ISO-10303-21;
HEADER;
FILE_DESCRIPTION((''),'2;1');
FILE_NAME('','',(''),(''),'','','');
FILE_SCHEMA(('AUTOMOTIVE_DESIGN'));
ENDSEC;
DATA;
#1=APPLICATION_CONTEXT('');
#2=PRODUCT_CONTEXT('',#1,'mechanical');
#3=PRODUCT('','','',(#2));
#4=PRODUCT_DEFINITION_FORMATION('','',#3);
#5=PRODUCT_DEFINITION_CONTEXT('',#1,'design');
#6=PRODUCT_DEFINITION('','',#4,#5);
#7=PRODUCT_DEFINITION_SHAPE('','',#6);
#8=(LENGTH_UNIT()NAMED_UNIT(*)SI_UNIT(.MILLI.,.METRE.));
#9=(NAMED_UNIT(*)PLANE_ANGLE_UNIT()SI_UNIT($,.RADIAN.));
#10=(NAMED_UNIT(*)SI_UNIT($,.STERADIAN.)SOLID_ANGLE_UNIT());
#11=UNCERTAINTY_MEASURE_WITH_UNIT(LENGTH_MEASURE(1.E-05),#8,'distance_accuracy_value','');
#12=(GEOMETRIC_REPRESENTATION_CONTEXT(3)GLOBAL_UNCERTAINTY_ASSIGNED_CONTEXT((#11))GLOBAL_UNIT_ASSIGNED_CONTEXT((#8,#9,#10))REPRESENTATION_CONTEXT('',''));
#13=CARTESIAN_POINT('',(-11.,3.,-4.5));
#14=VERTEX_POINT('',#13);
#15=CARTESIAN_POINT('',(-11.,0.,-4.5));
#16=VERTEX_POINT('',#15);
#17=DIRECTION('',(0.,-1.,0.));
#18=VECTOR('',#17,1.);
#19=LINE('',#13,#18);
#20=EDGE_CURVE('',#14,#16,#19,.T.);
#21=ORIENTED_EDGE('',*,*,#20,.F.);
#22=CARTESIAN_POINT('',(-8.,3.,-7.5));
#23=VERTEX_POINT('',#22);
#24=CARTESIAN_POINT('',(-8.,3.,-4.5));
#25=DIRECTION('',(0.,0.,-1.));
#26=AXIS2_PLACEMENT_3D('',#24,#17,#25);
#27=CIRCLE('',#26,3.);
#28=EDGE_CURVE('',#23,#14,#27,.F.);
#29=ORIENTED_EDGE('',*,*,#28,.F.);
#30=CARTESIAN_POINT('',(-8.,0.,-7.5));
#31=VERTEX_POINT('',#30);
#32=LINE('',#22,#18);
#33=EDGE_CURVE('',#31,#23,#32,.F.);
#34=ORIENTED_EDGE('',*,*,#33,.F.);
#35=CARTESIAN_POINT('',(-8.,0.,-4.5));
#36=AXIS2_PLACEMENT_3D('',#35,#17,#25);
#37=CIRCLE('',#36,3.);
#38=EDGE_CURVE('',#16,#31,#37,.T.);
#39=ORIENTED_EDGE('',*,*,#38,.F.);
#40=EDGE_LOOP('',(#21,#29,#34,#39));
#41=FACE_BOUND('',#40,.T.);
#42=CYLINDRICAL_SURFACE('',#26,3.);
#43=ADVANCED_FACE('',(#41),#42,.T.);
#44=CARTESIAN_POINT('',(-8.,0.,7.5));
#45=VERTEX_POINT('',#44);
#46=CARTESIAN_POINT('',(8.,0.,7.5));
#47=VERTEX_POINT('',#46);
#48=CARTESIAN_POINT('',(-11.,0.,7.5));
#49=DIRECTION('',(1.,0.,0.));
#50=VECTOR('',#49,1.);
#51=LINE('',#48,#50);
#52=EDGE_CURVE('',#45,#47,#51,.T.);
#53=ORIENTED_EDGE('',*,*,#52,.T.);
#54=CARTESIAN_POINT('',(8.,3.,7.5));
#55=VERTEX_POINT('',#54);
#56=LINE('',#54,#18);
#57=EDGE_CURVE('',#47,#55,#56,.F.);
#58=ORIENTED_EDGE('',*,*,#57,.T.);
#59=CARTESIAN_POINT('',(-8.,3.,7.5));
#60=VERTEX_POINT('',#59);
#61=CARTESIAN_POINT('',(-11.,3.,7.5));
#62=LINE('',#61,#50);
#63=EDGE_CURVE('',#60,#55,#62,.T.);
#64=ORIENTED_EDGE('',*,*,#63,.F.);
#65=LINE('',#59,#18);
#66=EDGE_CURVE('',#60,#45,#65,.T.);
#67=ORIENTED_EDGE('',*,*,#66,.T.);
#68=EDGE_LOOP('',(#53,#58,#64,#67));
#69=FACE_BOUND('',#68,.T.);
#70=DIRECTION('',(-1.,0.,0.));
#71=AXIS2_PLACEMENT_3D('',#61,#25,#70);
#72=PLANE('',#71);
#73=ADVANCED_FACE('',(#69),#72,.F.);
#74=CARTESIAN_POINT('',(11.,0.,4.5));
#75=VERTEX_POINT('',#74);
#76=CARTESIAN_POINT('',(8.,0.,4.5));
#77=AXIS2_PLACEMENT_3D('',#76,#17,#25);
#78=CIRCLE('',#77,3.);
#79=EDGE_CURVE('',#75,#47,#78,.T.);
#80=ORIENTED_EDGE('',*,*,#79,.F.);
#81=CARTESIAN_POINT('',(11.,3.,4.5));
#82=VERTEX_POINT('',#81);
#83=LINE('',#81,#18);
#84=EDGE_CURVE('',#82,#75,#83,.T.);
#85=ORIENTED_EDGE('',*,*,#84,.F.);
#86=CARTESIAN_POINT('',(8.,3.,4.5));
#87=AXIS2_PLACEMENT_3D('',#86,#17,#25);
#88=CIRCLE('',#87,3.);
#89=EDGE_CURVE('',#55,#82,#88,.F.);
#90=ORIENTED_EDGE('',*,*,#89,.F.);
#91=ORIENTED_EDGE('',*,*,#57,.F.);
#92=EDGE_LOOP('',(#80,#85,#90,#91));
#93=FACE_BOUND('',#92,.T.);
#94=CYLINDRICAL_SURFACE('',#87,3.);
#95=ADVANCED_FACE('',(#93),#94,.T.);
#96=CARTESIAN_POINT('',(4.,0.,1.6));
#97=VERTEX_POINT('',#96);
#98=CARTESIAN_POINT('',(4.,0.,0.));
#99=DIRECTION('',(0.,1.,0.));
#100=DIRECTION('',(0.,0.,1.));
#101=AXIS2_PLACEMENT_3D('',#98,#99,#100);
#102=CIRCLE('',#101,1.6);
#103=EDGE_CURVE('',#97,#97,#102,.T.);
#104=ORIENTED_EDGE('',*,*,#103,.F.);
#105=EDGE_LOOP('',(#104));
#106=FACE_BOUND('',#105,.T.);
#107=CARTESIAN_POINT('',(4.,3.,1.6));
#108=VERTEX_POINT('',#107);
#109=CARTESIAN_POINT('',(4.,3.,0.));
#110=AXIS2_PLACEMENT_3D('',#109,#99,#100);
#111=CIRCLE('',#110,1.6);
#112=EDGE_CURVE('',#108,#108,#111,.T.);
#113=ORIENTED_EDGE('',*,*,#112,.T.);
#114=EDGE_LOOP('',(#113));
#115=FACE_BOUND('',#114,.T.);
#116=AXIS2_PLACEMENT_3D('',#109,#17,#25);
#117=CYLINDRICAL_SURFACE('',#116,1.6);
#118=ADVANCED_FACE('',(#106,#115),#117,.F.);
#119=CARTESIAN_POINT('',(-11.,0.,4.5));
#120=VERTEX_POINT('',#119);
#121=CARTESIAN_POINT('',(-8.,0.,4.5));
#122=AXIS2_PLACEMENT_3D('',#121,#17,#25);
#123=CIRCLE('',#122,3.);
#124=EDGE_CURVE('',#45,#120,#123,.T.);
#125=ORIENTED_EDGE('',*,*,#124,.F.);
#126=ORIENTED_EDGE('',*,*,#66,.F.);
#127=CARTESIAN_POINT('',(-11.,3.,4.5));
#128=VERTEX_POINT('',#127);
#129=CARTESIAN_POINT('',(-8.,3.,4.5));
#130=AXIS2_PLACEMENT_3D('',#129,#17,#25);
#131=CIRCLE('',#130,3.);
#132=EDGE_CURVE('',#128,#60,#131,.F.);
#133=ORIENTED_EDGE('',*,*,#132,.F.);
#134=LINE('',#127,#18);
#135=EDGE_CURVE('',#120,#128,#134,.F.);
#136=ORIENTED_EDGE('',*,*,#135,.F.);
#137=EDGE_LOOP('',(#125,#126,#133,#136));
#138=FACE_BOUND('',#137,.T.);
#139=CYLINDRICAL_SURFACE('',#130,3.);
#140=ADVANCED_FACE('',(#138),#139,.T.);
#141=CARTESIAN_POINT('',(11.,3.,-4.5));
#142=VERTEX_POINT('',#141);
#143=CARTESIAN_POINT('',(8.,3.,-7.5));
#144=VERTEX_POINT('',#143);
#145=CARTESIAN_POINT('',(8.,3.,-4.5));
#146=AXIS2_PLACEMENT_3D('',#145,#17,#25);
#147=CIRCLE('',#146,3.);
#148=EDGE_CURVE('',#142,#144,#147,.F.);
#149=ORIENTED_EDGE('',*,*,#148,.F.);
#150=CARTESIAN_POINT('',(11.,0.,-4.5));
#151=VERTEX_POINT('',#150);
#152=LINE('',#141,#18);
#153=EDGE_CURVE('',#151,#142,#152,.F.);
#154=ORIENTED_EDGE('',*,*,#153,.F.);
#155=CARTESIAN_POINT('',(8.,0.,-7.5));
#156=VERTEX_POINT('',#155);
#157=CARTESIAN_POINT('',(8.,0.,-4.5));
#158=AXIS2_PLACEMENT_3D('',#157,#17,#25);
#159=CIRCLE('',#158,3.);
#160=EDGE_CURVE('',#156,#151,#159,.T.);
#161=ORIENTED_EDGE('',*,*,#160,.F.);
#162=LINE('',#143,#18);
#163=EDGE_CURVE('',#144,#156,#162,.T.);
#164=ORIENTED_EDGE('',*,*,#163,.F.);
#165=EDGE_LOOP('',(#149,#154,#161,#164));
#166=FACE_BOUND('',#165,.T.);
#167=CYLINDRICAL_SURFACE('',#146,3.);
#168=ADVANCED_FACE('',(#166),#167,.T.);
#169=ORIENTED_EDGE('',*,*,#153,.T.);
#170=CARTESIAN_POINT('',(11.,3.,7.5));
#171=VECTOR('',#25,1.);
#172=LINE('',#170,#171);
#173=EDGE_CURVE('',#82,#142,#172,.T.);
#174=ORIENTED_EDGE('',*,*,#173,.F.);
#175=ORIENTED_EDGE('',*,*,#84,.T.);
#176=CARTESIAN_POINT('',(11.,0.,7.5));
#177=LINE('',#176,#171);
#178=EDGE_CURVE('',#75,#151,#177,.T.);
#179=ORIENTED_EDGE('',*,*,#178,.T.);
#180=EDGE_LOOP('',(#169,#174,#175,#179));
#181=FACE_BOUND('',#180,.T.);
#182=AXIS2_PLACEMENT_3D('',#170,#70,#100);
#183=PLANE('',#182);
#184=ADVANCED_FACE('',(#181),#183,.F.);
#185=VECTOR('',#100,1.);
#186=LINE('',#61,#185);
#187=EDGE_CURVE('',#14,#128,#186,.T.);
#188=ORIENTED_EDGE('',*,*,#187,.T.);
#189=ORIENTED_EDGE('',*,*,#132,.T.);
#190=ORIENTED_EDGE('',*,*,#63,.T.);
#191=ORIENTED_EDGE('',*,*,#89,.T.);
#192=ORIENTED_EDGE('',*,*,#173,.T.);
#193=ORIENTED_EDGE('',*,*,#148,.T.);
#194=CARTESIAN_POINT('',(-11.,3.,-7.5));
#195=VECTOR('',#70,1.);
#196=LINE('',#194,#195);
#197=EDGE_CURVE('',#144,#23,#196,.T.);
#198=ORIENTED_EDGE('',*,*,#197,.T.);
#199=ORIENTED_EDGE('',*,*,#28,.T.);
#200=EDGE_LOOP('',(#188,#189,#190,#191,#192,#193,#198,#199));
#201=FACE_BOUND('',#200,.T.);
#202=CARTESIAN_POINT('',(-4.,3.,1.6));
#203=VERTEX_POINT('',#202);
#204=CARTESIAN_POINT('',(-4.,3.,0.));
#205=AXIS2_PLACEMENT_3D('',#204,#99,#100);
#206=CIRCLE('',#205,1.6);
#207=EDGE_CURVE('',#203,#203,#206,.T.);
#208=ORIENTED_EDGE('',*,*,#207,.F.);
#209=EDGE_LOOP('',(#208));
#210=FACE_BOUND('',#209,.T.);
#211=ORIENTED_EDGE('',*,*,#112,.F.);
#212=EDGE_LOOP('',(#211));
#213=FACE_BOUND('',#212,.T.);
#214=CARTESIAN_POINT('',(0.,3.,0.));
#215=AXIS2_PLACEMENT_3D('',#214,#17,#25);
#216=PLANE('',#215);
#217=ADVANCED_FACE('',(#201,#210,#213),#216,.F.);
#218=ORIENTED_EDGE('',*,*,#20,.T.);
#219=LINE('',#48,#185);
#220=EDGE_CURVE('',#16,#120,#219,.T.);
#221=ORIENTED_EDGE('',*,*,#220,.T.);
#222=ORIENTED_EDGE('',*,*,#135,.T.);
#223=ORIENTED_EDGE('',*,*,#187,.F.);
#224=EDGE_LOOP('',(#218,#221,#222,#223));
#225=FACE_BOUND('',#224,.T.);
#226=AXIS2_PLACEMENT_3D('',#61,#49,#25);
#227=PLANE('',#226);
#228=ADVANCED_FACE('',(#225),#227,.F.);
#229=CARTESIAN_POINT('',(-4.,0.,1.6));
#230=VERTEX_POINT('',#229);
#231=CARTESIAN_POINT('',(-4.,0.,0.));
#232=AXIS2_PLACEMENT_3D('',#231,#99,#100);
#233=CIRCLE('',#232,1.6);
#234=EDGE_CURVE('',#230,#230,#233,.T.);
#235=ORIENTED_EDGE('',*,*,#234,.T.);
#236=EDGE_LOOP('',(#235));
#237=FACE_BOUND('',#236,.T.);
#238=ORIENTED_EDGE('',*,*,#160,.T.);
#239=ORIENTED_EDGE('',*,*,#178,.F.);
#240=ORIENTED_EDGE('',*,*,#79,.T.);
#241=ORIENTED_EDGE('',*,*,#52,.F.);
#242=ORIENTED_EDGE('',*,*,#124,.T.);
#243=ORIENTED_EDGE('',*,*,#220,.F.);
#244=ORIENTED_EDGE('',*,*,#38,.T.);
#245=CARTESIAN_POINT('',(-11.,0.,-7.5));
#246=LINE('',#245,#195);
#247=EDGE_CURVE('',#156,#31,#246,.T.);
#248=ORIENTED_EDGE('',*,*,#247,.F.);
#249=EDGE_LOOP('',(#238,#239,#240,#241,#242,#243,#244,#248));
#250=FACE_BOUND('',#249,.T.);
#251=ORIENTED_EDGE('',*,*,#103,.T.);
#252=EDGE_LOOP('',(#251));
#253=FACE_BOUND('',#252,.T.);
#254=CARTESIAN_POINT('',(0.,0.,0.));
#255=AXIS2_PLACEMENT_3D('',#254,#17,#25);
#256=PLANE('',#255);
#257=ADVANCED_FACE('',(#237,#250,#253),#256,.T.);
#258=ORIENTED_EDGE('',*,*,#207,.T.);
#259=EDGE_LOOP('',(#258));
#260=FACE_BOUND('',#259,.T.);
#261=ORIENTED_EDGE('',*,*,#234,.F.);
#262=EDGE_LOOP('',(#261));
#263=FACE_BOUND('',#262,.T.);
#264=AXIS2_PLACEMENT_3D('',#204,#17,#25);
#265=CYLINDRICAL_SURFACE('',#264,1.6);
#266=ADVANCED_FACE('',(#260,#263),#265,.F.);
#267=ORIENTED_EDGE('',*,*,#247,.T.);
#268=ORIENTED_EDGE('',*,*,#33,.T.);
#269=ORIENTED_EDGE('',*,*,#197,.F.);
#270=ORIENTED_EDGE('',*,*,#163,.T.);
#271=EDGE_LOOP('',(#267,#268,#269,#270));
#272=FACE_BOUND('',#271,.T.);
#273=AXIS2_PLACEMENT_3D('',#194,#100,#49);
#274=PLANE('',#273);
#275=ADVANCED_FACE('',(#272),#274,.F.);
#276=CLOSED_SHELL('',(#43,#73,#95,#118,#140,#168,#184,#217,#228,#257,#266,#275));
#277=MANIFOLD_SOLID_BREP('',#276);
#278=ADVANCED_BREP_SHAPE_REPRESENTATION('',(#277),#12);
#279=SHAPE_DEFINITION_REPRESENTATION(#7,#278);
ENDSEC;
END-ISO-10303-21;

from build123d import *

# Parameters (mm, degrees)
SKETCH_1_W      = 22
SKETCH_1_H      = 15
SKETCH_1_R      = 1.6
EXTRUDE_1_DEPTH = 3
FILLET_1_R      = 3


with BuildPart() as part:
    # 草图1 → 凸台-拉伸1 (new body)
    with BuildSketch(Plane(origin=(0, 0, 0), x_dir=(1, 0, 0), z_dir=(0, 1, 0))):
        Rectangle(SKETCH_1_W, SKETCH_1_H)
        with Locations(Location((-4, 0, 0), (0, 0, 270))):
            Circle(SKETCH_1_R, mode=Mode.SUBTRACT)
        with Locations(Location((4, 0, 0), (0, 0, 270))):
            Circle(SKETCH_1_R, mode=Mode.SUBTRACT)
    extrude(amount=EXTRUDE_1_DEPTH)

    # 圆角1
    fillet_1_edges = [part.edges().sort_by_distance(p)[0] for p in [
        (11, 1.5, 7.5),
        (-11, 1.5, 7.5),
        (-11, 1.5, -7.5),
        (11, 1.5, -7.5),
    ]]
    fillet(fillet_1_edges, radius=FILLET_1_R)


solid = part.part
